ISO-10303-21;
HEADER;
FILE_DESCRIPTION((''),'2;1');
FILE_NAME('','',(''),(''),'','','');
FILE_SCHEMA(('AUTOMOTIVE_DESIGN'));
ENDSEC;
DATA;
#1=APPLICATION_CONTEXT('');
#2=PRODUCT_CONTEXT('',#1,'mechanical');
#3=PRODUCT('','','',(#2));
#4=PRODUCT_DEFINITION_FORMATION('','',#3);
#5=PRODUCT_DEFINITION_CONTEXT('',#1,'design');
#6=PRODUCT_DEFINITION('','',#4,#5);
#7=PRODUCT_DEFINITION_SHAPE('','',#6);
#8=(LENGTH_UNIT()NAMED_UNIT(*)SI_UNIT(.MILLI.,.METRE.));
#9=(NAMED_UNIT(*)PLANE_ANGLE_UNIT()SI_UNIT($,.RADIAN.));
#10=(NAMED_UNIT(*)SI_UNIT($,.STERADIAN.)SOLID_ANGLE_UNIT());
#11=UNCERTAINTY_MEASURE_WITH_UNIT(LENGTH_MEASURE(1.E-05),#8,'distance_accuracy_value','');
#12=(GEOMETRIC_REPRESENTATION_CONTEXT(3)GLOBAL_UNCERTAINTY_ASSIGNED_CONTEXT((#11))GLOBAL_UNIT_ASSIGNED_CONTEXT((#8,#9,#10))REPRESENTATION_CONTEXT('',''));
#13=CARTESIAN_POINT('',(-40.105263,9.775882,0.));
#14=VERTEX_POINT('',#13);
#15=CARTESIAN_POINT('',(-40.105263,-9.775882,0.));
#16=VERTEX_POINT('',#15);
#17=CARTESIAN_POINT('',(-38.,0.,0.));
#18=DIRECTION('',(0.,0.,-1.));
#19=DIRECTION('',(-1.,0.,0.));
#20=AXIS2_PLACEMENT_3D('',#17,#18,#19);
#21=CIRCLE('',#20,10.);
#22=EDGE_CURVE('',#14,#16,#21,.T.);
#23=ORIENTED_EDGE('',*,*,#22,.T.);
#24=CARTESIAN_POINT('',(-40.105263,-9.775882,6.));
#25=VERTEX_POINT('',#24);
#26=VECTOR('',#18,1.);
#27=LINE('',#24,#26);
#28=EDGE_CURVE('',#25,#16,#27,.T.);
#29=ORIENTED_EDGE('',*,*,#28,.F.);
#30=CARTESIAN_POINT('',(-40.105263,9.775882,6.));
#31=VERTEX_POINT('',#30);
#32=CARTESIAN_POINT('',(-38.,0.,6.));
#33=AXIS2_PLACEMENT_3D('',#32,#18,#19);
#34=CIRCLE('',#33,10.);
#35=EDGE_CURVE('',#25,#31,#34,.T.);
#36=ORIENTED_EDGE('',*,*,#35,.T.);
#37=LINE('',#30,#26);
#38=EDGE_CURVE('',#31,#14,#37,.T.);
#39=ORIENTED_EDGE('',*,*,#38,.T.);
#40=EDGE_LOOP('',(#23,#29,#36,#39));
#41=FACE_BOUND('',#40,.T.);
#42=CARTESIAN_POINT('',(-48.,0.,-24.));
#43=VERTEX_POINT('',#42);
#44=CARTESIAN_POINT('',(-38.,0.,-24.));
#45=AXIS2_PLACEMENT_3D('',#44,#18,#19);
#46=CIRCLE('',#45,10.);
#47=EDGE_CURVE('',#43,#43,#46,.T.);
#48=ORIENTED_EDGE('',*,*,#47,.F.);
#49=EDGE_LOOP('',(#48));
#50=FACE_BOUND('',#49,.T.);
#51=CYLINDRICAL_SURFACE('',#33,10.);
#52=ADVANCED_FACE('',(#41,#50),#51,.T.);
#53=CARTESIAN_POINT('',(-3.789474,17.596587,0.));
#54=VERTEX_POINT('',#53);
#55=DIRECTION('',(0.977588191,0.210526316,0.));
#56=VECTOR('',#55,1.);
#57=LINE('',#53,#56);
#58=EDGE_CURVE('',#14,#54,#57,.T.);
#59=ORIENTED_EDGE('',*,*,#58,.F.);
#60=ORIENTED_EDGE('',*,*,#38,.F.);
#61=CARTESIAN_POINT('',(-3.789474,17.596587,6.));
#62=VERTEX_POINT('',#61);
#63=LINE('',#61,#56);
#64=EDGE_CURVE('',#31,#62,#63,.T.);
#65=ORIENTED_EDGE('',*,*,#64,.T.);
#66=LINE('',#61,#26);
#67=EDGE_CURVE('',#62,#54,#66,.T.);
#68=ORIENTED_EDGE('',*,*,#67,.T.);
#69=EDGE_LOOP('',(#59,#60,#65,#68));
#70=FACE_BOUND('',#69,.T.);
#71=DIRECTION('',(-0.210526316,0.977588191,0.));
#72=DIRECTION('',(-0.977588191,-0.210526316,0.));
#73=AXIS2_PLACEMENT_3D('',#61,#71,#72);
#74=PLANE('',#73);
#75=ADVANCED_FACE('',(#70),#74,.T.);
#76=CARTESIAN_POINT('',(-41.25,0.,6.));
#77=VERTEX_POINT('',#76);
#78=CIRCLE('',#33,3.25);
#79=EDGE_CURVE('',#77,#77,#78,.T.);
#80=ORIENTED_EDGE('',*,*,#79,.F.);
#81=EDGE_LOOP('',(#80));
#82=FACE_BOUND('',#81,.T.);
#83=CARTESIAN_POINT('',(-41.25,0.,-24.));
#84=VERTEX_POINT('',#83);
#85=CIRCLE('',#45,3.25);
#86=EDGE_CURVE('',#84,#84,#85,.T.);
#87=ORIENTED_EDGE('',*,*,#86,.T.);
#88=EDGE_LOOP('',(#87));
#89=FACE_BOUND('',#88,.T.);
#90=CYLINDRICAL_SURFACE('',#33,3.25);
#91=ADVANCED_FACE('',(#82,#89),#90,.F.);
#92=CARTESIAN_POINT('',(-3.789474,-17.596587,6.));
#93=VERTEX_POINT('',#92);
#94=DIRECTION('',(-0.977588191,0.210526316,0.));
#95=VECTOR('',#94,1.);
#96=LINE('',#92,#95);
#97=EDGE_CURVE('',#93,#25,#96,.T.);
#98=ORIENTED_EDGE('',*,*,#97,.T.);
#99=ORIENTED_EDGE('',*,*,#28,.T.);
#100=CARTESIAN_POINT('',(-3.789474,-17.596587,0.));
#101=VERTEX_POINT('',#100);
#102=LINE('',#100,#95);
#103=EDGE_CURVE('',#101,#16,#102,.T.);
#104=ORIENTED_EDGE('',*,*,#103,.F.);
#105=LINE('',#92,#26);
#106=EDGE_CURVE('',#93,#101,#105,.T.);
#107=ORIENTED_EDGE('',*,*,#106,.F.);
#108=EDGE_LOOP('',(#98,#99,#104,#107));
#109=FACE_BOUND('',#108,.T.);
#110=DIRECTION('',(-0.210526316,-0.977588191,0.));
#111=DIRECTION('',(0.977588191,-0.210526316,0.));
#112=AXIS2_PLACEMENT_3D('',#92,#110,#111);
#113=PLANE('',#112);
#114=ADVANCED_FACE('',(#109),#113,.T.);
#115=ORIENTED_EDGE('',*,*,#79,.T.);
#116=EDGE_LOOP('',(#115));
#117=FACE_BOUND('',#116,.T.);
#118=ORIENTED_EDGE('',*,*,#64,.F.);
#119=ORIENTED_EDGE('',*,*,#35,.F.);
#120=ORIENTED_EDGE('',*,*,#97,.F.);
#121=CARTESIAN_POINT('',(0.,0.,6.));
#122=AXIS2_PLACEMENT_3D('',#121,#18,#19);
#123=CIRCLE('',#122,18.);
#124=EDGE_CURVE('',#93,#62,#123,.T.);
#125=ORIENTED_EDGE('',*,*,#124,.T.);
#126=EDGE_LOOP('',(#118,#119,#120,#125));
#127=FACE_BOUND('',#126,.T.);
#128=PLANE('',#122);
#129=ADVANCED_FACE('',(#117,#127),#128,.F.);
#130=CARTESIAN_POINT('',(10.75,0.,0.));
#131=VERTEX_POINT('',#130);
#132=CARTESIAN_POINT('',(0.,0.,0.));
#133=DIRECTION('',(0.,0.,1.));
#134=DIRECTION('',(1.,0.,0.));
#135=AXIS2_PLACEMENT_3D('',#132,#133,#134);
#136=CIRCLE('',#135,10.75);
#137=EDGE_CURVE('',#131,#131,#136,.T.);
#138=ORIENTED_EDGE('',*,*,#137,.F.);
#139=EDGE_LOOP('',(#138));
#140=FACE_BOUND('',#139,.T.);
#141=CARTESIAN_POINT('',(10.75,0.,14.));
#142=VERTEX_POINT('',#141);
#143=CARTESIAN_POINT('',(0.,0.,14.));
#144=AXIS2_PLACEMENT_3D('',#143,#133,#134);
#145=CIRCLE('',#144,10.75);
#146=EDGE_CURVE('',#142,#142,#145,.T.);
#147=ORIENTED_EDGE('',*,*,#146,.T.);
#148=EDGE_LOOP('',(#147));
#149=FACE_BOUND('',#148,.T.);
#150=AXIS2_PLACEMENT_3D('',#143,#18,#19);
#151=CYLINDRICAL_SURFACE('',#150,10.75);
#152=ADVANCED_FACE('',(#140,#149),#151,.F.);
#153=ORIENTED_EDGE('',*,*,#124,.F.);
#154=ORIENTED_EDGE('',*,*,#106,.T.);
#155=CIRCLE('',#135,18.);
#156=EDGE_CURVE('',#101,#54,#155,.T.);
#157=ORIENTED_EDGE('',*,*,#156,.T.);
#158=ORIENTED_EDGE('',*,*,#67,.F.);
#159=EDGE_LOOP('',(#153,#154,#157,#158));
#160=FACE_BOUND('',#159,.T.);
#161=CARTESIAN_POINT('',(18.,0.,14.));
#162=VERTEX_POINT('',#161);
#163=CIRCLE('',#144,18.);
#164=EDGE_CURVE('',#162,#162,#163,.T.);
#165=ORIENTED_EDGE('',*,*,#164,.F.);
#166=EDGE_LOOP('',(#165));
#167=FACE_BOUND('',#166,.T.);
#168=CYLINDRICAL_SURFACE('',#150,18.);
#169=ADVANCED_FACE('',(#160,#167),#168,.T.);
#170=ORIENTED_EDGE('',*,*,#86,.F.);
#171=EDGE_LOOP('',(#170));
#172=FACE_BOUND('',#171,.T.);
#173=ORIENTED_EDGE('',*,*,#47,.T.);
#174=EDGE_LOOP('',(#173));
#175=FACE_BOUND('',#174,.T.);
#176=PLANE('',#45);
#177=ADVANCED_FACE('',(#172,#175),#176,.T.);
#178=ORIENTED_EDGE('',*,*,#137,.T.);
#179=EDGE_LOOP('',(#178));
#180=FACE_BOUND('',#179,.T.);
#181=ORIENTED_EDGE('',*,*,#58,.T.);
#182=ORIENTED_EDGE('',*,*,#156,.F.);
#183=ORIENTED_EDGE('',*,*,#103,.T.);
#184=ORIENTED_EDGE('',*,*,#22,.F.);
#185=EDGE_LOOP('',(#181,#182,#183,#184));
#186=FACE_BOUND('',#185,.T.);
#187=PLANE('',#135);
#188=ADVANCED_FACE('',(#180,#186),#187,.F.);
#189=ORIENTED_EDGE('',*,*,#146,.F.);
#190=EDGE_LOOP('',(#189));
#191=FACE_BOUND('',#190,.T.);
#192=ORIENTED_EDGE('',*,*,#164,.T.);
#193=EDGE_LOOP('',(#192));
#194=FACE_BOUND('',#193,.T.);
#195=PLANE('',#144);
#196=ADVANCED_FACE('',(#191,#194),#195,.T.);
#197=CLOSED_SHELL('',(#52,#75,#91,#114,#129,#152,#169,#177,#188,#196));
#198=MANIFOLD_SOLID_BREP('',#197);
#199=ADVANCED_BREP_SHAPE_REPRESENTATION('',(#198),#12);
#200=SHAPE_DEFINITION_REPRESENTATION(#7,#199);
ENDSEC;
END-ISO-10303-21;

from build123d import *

# Parameters (mm, degrees)
SKETCH1_R           = 18
SKETCH1_R_2         = 10.75
BOSS_EXTRUDE1_DEPTH = 14
SKETCH2_R           = 3.25
BOSS_EXTRUDE2_DEPTH = 6
BOSS_EXTRUDE3_START = 24
SKETCH3_R           = 10
SKETCH3_R_2         = 3.25
BOSS_EXTRUDE3_DEPTH = 24


with BuildPart() as part:
    # Sketch1 → Boss-Extrude1 (new body)
    with BuildSketch(Plane.XY):
        Circle(SKETCH1_R)
        Circle(SKETCH1_R_2, mode=Mode.SUBTRACT)
    extrude(amount=BOSS_EXTRUDE1_DEPTH)

    # Sketch2 → Boss-Extrude2 (add)
    with BuildSketch(Plane(origin=(0, 0, 0), x_dir=(-1, 0, 0), z_dir=(0, 0, -1))):
        with BuildLine():
            ThreePointArc((40.105263158, -9.775881906), (48, 0), (40.105263158, 9.775881906))
            Line((40.105263158, 9.775881906), (3.789473684, 17.59658743))
            ThreePointArc((3.789473684, 17.59658743), (14.003758894, 11.309055524), (18, 0))
            ThreePointArc((18, 0), (14.003758894, -11.309055524), (3.789473684, -17.59658743))
            Line((3.789473684, -17.59658743), (40.105263158, -9.775881906))
        make_face()
        with Locations((38, 0)):
            Circle(SKETCH2_R, mode=Mode.SUBTRACT)
    extrude(amount=-BOSS_EXTRUDE2_DEPTH)

    # Sketch3 → Boss-Extrude3 (add)
    with BuildSketch(Plane(origin=(0, 0, 0), x_dir=(-1, 0, 0), z_dir=(0, 0, -1)).offset(BOSS_EXTRUDE3_START)):
        with Locations((38, 0)):
            Circle(SKETCH3_R)
        with Locations((38, 0)):
            Circle(SKETCH3_R_2, mode=Mode.SUBTRACT)
    extrude(amount=-BOSS_EXTRUDE3_DEPTH)


solid = part.part
